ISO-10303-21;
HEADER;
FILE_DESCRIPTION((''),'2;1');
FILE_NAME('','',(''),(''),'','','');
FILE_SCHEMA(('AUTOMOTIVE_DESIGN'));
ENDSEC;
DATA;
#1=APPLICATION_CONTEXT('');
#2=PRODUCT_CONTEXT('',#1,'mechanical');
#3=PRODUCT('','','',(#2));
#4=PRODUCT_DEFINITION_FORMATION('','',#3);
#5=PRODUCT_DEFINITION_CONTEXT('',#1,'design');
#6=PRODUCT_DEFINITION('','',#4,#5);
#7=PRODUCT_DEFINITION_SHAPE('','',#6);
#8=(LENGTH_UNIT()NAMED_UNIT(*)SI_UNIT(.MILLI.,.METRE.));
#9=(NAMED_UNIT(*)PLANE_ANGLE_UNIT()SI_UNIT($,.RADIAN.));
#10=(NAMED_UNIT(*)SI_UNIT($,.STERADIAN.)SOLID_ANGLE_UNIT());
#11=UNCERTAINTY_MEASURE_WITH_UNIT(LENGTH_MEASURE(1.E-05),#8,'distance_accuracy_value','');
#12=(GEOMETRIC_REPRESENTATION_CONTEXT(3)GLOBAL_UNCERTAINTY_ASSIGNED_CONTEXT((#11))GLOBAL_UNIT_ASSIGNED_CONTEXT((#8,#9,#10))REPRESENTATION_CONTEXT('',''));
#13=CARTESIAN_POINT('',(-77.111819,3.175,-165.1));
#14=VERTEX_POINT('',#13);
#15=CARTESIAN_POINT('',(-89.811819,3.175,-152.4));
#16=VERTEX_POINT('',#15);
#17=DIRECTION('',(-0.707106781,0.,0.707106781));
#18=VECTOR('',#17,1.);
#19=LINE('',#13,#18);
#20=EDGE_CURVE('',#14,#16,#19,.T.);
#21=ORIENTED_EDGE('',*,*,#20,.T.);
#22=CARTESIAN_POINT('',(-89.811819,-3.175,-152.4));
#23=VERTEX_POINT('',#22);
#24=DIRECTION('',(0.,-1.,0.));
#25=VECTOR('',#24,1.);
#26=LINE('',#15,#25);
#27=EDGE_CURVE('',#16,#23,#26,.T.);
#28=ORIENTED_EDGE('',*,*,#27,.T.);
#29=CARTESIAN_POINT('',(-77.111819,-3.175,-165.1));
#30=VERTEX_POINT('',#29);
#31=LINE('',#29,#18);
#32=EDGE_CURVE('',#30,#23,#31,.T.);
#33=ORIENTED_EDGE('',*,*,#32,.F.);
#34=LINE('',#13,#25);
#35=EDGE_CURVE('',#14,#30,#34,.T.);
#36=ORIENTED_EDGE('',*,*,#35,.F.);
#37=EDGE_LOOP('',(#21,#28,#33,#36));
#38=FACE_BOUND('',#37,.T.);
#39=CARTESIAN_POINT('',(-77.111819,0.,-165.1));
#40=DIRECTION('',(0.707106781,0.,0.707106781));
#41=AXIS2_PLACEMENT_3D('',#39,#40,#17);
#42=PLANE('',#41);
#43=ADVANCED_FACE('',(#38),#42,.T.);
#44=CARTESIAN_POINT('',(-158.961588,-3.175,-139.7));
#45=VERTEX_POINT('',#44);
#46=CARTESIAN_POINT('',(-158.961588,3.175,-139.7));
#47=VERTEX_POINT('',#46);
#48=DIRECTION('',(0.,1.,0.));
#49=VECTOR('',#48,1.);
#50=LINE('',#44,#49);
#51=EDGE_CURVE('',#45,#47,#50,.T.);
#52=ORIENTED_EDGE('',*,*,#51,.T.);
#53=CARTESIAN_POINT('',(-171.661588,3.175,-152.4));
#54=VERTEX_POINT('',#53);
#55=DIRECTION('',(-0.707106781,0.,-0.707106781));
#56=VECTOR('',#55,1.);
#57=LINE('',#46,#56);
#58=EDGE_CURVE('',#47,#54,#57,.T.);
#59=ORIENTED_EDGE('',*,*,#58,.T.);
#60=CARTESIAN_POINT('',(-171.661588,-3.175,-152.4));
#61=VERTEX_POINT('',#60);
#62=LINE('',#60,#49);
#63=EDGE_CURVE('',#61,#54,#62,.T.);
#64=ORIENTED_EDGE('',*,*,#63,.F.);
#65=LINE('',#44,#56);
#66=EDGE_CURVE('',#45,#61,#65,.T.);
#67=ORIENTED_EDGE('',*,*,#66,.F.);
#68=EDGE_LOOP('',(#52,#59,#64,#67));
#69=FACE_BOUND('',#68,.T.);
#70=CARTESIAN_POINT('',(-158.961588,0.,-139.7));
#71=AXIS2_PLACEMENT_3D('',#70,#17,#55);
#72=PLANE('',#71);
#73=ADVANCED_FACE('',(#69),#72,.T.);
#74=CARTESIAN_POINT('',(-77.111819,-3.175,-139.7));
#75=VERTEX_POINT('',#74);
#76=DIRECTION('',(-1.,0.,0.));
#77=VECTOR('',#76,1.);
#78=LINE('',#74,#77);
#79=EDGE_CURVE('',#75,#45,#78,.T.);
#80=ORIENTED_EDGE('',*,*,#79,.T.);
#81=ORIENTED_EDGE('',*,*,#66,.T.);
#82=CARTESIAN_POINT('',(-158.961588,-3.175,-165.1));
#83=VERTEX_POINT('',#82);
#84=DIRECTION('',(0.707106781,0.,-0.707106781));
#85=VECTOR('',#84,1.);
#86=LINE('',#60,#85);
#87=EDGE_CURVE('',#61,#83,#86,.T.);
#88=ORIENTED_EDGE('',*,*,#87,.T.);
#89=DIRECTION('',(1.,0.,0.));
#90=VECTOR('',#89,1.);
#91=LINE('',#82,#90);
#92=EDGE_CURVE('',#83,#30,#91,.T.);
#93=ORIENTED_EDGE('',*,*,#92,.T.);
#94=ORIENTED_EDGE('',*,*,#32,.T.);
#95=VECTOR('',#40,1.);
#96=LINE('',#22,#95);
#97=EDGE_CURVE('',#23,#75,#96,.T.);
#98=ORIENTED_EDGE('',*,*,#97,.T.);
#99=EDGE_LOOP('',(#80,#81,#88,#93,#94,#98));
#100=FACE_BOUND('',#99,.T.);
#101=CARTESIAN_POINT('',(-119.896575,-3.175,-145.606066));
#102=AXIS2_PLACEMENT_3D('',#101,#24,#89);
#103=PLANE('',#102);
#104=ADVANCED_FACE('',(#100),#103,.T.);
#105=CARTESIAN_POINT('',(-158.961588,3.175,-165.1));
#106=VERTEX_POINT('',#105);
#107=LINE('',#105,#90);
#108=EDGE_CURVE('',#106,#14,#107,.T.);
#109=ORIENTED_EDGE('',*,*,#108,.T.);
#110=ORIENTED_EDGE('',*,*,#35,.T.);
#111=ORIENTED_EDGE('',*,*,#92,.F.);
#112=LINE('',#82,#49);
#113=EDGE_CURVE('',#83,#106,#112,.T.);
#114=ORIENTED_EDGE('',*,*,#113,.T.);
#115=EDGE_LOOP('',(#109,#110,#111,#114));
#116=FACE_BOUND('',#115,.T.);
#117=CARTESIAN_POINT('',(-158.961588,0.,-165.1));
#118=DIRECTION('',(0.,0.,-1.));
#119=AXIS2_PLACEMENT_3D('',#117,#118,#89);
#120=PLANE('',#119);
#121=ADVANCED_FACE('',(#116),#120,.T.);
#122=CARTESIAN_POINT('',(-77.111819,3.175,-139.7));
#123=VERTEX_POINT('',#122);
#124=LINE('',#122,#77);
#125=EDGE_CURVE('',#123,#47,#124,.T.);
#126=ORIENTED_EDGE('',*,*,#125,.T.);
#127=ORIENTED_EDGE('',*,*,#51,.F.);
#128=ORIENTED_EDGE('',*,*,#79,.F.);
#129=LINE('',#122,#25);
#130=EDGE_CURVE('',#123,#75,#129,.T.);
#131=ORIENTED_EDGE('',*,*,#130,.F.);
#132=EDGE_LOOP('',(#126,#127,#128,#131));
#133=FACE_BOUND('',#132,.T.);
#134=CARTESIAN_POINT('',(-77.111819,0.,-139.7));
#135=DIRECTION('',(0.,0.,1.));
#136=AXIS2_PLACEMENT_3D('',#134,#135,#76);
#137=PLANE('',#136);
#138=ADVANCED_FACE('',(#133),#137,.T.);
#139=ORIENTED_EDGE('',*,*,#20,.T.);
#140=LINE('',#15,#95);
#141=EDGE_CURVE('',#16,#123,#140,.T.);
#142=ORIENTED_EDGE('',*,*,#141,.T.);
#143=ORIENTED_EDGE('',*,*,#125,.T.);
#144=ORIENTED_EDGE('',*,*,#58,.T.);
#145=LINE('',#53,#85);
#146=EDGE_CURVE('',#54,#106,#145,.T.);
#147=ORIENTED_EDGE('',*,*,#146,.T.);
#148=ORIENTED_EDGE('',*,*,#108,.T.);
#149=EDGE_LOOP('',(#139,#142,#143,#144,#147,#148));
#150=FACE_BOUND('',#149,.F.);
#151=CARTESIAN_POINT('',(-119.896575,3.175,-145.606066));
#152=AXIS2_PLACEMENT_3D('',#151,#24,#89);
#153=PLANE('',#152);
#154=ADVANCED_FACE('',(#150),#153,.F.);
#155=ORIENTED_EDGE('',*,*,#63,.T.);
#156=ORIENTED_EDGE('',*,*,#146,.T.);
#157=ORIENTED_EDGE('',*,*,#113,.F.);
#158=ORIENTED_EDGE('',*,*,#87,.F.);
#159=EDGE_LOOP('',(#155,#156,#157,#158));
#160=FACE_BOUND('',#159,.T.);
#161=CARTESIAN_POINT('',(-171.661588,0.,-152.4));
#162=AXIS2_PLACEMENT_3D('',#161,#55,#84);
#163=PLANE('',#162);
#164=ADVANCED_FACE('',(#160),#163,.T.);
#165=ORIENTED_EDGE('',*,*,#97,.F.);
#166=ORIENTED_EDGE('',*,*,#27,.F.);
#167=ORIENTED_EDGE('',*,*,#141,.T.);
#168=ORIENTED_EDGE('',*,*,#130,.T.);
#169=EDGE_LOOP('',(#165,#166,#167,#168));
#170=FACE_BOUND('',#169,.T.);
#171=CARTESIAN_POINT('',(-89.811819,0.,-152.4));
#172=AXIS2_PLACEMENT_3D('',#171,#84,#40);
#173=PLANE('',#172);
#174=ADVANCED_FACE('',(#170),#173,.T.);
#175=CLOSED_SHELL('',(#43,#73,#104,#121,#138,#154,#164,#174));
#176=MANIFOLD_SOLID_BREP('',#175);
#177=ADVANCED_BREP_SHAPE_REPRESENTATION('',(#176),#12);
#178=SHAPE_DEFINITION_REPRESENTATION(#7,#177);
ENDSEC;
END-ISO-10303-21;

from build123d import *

# Parameters (mm, degrees)
F1_DEPTH = 3.175


with BuildPart() as f1:
    # F0 (on Front) → F1 (new body, symmetric)
    with BuildSketch(Plane.XZ):
        Polygon((-158.961588, -139.7), (-158.961588, -152.4), (-89.811819, -152.4), (-77.111819, -139.7), align=None)
        Polygon((-89.811819, -152.4), (-158.961588, -152.4), (-158.961588, -165.1), (-77.111819, -165.1), align=None)
        Polygon((-158.961588, -139.7), (-171.661588, -152.4), (-158.961588, -152.4), align=None)
        Polygon((-158.961588, -152.4), (-171.661588, -152.4), (-158.961588, -165.1), align=None)
    extrude(amount=F1_DEPTH, both=True)


solid = f1.part
